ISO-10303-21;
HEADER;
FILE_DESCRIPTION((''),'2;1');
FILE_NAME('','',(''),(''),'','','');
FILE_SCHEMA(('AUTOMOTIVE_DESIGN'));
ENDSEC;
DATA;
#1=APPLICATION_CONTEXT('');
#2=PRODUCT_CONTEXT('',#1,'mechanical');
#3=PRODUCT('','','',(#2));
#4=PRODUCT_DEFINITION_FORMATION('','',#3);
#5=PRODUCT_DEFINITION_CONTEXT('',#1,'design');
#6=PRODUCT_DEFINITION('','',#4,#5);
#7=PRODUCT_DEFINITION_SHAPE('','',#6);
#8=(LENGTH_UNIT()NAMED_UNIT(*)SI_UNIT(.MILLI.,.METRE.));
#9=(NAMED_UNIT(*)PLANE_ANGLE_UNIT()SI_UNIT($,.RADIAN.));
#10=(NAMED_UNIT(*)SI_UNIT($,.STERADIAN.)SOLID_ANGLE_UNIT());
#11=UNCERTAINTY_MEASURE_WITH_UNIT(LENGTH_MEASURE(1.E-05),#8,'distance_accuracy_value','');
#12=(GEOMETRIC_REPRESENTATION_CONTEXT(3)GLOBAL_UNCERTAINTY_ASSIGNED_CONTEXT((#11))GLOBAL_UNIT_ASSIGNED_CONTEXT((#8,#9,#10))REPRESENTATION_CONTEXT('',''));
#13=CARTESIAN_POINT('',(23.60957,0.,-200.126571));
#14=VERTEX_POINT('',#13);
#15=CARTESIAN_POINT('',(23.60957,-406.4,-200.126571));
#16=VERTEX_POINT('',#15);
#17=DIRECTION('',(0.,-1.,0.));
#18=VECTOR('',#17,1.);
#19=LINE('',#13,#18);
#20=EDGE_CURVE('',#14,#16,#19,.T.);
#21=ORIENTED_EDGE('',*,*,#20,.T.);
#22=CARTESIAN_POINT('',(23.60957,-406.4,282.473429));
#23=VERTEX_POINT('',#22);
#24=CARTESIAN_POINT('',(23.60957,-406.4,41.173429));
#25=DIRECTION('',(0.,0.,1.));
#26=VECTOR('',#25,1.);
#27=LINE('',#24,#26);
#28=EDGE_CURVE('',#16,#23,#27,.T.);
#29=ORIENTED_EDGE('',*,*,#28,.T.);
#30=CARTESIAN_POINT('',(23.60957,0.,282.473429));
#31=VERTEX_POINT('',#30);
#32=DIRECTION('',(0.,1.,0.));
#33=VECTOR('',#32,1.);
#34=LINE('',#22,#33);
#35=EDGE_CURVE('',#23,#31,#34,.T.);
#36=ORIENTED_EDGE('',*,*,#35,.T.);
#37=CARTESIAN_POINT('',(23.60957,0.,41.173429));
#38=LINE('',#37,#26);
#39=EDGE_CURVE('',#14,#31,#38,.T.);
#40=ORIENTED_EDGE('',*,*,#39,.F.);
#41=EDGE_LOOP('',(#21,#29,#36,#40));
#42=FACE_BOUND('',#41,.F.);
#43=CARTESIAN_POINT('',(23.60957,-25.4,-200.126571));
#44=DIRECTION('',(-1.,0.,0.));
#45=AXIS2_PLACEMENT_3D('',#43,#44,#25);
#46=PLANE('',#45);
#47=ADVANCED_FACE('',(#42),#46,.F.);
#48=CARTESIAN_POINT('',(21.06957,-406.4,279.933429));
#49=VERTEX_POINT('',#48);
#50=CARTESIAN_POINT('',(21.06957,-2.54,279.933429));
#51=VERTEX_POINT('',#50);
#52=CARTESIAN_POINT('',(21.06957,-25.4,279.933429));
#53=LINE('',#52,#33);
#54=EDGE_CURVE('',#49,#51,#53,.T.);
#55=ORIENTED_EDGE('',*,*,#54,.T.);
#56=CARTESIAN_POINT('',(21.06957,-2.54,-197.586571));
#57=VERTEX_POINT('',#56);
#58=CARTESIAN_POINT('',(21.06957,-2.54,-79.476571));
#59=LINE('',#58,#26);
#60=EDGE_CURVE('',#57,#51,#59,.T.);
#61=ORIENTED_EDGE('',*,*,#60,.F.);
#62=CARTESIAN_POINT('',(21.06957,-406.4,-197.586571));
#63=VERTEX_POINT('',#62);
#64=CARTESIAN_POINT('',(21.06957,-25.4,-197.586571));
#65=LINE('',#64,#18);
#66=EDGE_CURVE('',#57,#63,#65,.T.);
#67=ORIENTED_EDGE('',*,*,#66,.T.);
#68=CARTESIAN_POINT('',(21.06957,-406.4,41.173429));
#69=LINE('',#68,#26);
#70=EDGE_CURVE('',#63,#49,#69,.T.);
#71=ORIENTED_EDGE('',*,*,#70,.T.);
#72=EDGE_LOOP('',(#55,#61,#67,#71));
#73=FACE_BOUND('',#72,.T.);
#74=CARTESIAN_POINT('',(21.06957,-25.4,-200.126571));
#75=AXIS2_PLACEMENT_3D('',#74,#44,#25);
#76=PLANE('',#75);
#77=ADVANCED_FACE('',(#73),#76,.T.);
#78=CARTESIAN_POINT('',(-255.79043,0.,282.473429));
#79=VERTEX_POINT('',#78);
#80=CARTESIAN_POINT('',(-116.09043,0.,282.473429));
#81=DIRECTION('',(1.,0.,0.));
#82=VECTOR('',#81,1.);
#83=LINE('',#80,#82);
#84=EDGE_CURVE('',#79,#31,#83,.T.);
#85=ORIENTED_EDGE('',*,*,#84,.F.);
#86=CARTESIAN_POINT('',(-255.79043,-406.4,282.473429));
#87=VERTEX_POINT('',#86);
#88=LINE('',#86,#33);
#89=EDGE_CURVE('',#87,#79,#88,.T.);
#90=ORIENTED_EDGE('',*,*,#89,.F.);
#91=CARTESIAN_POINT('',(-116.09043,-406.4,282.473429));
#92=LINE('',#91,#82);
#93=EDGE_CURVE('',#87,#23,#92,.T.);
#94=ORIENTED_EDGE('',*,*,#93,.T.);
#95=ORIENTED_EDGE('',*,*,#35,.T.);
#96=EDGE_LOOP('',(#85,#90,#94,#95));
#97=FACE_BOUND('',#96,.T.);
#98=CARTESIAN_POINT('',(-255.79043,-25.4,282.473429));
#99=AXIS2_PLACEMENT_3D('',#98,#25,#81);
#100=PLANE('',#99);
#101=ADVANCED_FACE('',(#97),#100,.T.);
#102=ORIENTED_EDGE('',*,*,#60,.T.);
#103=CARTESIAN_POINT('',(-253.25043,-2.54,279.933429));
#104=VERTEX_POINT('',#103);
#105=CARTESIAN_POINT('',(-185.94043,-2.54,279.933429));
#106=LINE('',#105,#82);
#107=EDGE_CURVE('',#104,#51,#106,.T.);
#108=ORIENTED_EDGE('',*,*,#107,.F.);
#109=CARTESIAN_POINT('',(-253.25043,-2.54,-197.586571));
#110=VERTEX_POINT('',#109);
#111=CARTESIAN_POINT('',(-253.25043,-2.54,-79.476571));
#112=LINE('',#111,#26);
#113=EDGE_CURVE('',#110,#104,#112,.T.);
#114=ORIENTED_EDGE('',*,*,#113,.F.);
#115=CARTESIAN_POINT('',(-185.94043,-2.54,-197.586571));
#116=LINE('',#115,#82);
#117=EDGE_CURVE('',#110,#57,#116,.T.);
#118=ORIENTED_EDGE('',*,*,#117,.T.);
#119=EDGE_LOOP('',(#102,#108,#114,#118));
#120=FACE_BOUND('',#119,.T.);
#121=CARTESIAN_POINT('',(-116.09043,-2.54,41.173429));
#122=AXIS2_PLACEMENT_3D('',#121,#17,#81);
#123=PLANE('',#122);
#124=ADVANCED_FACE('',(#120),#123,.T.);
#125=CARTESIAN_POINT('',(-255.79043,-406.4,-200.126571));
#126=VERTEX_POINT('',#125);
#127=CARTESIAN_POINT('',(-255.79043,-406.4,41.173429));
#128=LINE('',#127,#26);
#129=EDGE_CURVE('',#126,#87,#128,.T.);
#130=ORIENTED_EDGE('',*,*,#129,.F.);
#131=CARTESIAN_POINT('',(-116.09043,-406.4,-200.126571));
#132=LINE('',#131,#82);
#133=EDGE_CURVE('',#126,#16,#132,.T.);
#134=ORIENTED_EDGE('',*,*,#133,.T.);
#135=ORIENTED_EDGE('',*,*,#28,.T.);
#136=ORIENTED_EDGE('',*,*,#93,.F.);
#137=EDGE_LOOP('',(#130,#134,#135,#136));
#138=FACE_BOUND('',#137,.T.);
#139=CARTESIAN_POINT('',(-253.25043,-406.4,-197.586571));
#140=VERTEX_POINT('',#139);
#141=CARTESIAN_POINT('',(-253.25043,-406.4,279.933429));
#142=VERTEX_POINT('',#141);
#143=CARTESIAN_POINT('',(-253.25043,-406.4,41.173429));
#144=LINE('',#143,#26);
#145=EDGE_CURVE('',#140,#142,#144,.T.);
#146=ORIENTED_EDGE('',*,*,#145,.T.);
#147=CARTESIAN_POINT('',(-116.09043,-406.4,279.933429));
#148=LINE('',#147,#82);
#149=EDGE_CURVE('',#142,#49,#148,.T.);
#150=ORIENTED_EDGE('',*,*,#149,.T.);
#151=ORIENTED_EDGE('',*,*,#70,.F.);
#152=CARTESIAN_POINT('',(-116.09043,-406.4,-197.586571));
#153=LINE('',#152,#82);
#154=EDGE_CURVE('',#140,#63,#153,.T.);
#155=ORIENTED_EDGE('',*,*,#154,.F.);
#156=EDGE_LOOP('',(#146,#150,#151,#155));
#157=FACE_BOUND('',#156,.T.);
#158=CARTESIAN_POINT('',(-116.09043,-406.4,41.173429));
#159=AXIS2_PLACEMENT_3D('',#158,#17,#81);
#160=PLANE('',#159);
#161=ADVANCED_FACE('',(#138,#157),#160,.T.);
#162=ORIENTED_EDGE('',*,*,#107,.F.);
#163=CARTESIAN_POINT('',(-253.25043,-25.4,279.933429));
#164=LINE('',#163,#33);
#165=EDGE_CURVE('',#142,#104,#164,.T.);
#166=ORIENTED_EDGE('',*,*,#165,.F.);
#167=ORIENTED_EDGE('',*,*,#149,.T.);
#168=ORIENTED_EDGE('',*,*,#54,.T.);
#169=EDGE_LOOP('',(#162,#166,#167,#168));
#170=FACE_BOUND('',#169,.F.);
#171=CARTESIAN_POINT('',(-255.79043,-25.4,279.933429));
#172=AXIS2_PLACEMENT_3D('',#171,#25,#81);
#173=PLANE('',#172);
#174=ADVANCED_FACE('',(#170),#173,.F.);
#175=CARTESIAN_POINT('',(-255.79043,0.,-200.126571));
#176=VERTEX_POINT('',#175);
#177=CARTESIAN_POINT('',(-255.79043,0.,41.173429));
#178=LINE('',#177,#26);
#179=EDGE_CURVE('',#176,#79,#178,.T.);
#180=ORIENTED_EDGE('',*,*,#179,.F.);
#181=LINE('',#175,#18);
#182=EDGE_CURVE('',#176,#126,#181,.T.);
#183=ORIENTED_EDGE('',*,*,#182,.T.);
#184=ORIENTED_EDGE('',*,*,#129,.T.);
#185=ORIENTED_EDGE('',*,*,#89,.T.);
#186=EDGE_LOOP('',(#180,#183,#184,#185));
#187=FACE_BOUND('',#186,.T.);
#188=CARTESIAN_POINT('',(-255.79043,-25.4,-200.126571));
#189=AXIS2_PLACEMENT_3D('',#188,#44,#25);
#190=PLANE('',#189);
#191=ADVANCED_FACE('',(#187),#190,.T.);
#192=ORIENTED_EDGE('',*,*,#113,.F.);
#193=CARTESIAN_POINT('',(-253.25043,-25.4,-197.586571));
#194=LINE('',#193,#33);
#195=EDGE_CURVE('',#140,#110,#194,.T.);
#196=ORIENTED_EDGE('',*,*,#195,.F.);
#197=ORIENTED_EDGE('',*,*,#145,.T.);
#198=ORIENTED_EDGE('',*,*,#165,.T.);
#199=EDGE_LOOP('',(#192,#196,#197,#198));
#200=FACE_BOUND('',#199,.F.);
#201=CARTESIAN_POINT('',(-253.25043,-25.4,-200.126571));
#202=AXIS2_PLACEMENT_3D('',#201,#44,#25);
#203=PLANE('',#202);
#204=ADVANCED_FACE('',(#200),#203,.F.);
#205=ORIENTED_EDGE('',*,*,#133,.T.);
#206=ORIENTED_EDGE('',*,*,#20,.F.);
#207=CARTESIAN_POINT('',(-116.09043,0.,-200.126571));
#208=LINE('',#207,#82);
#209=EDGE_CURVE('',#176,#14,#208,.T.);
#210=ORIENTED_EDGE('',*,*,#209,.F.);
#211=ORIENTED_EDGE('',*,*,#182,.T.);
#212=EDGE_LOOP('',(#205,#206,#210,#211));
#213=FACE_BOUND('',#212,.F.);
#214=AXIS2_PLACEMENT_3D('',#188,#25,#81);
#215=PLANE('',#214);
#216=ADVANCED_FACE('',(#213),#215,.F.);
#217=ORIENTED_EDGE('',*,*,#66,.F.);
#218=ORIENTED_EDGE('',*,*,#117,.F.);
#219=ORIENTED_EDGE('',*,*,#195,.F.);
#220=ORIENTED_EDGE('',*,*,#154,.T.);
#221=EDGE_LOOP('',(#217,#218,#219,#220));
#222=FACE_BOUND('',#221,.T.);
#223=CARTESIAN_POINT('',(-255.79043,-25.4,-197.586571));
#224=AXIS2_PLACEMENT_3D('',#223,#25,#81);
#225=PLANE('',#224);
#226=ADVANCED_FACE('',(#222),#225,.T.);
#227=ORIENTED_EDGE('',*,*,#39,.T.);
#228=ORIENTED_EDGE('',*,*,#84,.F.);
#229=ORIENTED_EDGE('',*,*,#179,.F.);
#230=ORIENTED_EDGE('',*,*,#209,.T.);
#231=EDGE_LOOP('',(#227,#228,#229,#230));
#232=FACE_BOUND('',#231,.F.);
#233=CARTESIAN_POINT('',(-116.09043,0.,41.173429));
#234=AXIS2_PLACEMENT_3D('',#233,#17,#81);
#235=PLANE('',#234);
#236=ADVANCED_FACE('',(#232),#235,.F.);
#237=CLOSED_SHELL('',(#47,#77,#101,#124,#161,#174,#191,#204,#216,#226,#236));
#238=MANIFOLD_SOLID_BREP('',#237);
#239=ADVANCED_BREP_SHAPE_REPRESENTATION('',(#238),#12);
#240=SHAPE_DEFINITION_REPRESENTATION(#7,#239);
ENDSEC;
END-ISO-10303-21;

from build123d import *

# Parameters (mm, degrees)
F0_W     = 279.4
F0_H     = 482.6
F1_DEPTH = 25.4
F3_DEPTH = 381
F4_T     = -2.54


with BuildPart() as f1:
    # F0 (on Front) → F1 (new body)
    with BuildSketch(Plane.XZ):
        with Locations((-116.0904299468, 41.1734286772)):
            Rectangle(F0_W, F0_H)
    extrude(amount=F1_DEPTH)

    # F3 (add): a face of the model
    f3_faces = [f1.faces().sort_by_distance(p)[0] for p in [
        (-116.0904299468, -25.4, 41.1734286772),
    ]]
    extrude(f3_faces, amount=F3_DEPTH)

    # F4
    f4_openings = [f1.faces().sort_by_distance(p)[0] for p in [
        (-116.09043, -406.4, 41.173429),
    ]]
    offset(amount=F4_T, openings=f4_openings)


solid = f1.part
